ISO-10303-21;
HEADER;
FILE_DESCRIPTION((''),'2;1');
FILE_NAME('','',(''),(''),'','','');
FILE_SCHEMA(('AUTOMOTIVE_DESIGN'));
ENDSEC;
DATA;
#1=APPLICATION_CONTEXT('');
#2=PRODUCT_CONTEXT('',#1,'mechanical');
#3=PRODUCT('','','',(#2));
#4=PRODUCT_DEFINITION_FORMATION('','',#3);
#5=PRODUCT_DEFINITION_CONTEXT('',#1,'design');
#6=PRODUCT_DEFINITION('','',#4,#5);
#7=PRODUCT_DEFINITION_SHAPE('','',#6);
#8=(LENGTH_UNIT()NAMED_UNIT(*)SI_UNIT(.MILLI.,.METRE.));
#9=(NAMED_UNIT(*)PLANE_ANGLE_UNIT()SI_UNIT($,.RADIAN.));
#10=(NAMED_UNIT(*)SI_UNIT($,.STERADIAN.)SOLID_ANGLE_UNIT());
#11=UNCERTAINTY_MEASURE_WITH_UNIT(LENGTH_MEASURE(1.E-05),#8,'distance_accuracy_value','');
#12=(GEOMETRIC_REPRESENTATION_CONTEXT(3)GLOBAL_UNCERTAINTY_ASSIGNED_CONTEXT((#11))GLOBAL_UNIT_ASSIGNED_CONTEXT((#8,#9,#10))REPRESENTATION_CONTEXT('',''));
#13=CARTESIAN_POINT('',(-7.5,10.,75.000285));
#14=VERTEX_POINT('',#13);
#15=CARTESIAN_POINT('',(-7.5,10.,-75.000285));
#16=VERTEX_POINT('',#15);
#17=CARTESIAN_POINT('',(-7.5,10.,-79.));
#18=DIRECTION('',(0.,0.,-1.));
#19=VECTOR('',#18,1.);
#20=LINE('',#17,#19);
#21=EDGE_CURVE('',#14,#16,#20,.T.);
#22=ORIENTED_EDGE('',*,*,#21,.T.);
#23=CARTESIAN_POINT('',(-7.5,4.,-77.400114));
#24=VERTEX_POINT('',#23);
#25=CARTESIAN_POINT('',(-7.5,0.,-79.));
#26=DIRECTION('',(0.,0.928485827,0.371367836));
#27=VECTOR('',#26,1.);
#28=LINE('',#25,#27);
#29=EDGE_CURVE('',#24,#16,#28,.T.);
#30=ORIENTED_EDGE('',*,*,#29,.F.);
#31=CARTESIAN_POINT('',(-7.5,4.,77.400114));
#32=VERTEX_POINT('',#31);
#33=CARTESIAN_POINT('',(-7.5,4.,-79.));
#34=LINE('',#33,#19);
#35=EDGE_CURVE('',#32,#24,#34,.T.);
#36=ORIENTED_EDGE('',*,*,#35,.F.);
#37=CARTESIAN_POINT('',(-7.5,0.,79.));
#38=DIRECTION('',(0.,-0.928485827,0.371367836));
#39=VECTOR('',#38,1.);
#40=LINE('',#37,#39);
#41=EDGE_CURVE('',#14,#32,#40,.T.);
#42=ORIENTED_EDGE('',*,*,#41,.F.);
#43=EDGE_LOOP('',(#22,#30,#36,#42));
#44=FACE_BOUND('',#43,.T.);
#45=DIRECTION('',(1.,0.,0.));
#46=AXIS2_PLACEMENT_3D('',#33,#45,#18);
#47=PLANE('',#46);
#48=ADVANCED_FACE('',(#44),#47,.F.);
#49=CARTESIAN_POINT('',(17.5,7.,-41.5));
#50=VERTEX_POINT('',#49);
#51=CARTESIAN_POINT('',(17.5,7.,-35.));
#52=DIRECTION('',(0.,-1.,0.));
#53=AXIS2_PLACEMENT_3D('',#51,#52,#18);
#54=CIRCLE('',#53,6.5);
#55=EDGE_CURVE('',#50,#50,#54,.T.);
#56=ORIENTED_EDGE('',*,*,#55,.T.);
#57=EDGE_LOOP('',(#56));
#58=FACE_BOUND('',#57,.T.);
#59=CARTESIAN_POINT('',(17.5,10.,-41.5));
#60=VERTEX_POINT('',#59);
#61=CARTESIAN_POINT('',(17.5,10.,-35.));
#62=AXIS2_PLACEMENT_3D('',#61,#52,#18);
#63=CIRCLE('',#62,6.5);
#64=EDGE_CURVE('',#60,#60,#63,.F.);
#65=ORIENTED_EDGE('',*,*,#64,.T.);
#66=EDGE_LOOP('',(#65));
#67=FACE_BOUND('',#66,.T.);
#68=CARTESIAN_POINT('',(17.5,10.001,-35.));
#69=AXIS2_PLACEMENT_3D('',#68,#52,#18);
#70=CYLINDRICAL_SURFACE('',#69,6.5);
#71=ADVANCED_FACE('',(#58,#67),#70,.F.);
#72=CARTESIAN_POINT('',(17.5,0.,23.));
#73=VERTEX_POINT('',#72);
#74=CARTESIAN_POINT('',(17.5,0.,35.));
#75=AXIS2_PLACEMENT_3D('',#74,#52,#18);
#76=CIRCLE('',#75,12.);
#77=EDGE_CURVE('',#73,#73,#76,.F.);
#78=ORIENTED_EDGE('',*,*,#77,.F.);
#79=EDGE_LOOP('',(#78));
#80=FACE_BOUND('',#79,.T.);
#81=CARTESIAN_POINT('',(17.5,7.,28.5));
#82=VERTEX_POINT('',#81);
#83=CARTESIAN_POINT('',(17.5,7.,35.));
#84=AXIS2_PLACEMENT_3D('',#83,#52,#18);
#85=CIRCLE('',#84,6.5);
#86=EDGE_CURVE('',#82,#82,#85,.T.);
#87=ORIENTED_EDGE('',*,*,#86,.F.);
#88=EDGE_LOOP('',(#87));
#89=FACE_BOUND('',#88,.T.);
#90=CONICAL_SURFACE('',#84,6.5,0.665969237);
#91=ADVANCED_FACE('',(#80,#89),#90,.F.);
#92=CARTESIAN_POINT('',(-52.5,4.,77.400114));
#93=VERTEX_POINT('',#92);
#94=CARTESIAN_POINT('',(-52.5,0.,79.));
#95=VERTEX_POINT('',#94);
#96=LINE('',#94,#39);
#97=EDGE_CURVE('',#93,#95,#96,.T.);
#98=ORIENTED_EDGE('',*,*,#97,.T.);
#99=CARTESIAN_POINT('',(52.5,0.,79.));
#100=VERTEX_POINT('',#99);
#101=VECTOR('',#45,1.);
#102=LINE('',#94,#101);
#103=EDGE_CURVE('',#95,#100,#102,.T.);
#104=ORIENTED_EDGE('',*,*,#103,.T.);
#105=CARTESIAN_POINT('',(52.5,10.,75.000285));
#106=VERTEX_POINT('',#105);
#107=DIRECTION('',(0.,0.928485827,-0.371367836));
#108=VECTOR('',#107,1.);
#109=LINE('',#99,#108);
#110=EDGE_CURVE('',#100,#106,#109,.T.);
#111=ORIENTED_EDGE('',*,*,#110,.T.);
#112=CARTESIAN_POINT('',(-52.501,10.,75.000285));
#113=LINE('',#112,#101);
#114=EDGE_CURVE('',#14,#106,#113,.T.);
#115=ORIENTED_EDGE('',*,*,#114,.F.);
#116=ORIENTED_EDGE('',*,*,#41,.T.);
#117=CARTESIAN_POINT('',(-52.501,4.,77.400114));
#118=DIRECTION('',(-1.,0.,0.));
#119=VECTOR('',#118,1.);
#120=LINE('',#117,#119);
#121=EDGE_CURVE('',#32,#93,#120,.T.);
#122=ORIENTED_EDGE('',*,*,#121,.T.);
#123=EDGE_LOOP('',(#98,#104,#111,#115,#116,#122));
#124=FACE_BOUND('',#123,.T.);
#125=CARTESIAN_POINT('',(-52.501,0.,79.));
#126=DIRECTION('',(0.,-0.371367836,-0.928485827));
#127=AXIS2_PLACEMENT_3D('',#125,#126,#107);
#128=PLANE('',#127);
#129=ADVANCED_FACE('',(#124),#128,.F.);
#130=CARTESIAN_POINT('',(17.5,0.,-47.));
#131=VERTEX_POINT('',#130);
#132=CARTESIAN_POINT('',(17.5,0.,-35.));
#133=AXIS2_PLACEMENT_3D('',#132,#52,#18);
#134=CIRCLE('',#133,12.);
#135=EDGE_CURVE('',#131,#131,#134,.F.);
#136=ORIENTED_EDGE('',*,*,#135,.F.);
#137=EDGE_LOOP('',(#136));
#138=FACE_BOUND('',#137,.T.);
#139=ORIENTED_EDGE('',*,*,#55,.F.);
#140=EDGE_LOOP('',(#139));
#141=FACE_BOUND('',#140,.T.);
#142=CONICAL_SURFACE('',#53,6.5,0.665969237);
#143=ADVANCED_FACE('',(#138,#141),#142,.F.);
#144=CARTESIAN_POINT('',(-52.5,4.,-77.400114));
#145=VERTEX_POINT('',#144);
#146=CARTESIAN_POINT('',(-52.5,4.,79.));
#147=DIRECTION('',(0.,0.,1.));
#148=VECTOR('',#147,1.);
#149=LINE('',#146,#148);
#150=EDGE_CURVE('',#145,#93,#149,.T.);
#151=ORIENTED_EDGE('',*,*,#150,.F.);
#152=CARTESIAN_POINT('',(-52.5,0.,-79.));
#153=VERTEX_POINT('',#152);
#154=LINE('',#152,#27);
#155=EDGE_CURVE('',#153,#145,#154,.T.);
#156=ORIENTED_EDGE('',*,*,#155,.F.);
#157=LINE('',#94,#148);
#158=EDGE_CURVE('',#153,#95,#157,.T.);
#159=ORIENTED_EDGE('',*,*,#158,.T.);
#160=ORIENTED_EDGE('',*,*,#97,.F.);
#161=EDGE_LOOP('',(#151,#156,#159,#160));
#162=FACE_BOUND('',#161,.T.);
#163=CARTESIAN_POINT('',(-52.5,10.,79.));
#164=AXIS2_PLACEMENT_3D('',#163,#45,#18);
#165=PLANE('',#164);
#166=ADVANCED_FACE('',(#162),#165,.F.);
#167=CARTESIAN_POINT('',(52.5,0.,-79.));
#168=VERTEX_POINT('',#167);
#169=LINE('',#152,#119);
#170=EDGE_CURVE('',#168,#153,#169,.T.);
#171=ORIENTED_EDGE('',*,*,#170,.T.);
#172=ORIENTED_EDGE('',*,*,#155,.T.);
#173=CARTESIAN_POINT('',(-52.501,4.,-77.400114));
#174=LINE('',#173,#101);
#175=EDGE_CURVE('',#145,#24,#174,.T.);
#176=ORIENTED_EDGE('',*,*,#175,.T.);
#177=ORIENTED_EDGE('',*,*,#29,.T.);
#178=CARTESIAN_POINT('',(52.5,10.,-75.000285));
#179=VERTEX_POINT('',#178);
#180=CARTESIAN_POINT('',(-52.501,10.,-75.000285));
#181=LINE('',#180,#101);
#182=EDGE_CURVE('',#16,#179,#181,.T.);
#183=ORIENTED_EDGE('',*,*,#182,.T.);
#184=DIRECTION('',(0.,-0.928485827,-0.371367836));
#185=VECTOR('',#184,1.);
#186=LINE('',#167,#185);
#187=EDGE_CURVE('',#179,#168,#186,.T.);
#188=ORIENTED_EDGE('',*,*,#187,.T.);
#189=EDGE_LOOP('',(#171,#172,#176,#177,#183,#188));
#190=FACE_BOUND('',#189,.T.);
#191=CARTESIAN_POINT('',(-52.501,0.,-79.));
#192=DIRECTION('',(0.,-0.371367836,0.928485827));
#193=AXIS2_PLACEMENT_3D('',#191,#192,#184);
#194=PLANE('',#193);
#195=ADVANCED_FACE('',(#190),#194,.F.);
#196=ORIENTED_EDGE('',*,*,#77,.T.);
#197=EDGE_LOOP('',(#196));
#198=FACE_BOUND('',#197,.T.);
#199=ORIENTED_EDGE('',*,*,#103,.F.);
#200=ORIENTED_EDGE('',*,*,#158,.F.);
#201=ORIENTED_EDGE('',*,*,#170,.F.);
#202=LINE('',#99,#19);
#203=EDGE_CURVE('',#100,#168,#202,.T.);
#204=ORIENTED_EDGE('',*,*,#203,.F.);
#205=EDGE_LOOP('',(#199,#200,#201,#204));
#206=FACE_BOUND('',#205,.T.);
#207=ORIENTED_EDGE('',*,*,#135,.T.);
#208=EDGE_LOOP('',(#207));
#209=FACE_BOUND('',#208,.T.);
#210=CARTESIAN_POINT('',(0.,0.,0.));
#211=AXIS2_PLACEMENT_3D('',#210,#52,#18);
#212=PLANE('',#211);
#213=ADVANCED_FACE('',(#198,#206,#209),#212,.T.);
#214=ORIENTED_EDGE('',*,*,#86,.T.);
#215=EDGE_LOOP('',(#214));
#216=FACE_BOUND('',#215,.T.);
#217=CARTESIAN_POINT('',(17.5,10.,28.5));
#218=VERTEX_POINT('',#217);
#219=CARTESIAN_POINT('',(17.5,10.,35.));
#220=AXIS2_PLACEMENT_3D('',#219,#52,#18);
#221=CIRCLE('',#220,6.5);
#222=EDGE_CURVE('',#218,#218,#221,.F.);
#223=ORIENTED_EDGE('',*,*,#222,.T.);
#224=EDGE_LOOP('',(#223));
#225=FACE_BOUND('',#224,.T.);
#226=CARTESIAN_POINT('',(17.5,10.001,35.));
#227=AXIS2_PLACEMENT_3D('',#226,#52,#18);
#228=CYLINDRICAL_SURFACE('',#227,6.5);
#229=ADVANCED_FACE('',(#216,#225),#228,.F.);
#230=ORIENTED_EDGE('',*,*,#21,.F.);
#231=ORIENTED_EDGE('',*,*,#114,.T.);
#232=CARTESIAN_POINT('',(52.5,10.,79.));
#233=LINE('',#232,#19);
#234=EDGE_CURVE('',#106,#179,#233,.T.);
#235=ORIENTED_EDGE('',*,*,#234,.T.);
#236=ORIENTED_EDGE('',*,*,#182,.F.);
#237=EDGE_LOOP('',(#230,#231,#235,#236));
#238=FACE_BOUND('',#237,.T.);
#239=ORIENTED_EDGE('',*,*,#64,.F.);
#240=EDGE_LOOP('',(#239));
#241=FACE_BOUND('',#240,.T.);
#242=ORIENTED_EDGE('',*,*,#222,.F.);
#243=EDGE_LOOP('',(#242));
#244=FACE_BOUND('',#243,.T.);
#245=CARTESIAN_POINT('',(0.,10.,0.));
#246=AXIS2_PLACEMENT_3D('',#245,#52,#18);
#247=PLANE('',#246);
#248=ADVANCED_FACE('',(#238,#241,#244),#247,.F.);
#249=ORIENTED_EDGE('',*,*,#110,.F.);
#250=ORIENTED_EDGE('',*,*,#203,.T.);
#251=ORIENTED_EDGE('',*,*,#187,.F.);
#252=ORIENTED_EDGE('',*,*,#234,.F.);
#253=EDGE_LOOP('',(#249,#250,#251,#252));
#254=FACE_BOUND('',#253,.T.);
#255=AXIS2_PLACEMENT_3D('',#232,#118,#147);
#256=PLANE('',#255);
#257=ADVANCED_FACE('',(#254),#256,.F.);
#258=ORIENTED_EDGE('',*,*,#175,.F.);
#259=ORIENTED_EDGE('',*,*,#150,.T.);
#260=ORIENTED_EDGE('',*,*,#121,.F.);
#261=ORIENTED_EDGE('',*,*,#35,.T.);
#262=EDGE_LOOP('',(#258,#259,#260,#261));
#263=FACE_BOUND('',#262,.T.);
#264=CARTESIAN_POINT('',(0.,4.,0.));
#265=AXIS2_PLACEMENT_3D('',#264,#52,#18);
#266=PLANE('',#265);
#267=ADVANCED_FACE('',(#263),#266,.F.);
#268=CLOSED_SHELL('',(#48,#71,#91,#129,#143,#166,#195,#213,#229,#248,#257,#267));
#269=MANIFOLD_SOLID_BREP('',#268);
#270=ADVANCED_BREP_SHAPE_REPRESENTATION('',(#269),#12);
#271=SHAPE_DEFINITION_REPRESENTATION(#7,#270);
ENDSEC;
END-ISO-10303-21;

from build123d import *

# Parameters (mm, degrees)
SKETCH_1_W                          = 105
SKETCH_1_H                          = 158
EXTRUDE_1_DEPTH                     = 10
CUT_EXTRUDE_1_REACH                 = 97.38
SKETCH_2_R                          = 6.5
CHAMFER_1_SIZE                      = 5.5
CHAMFER_1_SIZE2                     = 7
PATTERN_LINEAR_1_COUNT              = 2
PATTERN_LINEAR_1_PITCH              = 70
CHAMFER_1_OF_PATTERN_LINEAR_1_SIZE2 = 7
CHAMFER_1_OF_PATTERN_LINEAR_1_SIZE  = 5.5
CUT_EXTRUDE_2_REACH                 = 133.78
SKETCH_4_W                          = 45
SKETCH_4_H                          = 158
CUT_EXTRUDE_3_DEPTH                 = 6


with BuildPart() as part:
    # 草图1 → 凸台-拉伸1 (new body)
    with BuildSketch(Plane(origin=(0, 0, 0), x_dir=(1, 0, 0), z_dir=(0, 1, 0))):
        Rectangle(SKETCH_1_W, SKETCH_1_H)
    extrude(amount=EXTRUDE_1_DEPTH)

    # 草图2 → 切除-拉伸1 (cut, up to next)
    with BuildSketch(Plane.XZ, mode=Mode.PRIVATE) as cut_extrude_1_sk1:
        with Locations(Location((17.5, 35, 0), (0, 0, 270))):
            Circle(SKETCH_2_R)
    cut_extrude_1_tool1 = extrude(cut_extrude_1_sk1.sketch, amount=-CUT_EXTRUDE_1_REACH, mode=Mode.PRIVATE) & part.part
    cut_extrude_1 = cut_extrude_1_tool1.solids().sort_by_distance((17.5, 0, 35))[0]
    add(cut_extrude_1, mode=Mode.SUBTRACT)

    # 倒角1
    chamfer_1_edges = [part.edges().sort_by_distance(p)[0] for p in [
        (17.5, 0, 41.5),
    ]]
    chamfer_1_side = [part.faces().sort_by_distance(p)[0] for p in [
        (-0.141142206, 0, -0.282284412),
    ]]
    chamfer(chamfer_1_edges, length=CHAMFER_1_SIZE, length2=CHAMFER_1_SIZE2, reference=chamfer_1_side[0])

    # 阵列(线性)1: 切除-拉伸1 ×2
    with Locations(*[(0, 0, -i * PATTERN_LINEAR_1_PITCH) for i in range(1, PATTERN_LINEAR_1_COUNT)]):
        add(cut_extrude_1, mode=Mode.SUBTRACT)

    # 倒角1 of 阵列(线性)1
    chamfer_1_of_pattern_linear_1_edges = [part.edges().sort_by_distance(p)[0] for p in [
        (17.5, 0, -28.5),
    ]]
    chamfer(chamfer_1_of_pattern_linear_1_edges, length=CHAMFER_1_OF_PATTERN_LINEAR_1_SIZE, length2=CHAMFER_1_OF_PATTERN_LINEAR_1_SIZE2)

    # 草图3 → 切除-拉伸2 (cut, up to next)
    with BuildSketch(Plane(origin=(52.5, 0, 0), x_dir=(0, 0, -1), z_dir=(1, 0, 0)), mode=Mode.PRIVATE) as cut_extrude_2_sk1:
        Polygon((-79, 10), (-79, 0), (-75.000285359, 10), align=None)
    cut_extrude_2_tool1 = extrude(cut_extrude_2_sk1.sketch, amount=-CUT_EXTRUDE_2_REACH, mode=Mode.PRIVATE) & part.part
    # 草图3 → 切除-拉伸2 (cut, up to next)
    with BuildSketch(Plane(origin=(52.5, 0, 0), x_dir=(0, 0, -1), z_dir=(1, 0, 0)), mode=Mode.PRIVATE) as cut_extrude_2_sk2:
        Polygon((79, 10), (79, 0), (75.000285359, 10), align=None)
    cut_extrude_2_tool2 = extrude(cut_extrude_2_sk2.sketch, amount=-CUT_EXTRUDE_2_REACH, mode=Mode.PRIVATE) & part.part
    add(cut_extrude_2_tool1.solids().sort_by_distance((52.5, 6.666667, 77.666762))[0], mode=Mode.SUBTRACT)
    add(cut_extrude_2_tool2.solids().sort_by_distance((52.5, 6.666667, -77.666762))[0], mode=Mode.SUBTRACT)

    # 草图4 → 切除-拉伸3 (cut)
    with BuildSketch(Plane(origin=(0, 10, 0), x_dir=(1, 0, 0), z_dir=(0, 1, 0))):
        with Locations((-30, 0)):
            Rectangle(SKETCH_4_W, SKETCH_4_H)
    extrude(amount=-CUT_EXTRUDE_3_DEPTH, mode=Mode.SUBTRACT)


solid = part.part
